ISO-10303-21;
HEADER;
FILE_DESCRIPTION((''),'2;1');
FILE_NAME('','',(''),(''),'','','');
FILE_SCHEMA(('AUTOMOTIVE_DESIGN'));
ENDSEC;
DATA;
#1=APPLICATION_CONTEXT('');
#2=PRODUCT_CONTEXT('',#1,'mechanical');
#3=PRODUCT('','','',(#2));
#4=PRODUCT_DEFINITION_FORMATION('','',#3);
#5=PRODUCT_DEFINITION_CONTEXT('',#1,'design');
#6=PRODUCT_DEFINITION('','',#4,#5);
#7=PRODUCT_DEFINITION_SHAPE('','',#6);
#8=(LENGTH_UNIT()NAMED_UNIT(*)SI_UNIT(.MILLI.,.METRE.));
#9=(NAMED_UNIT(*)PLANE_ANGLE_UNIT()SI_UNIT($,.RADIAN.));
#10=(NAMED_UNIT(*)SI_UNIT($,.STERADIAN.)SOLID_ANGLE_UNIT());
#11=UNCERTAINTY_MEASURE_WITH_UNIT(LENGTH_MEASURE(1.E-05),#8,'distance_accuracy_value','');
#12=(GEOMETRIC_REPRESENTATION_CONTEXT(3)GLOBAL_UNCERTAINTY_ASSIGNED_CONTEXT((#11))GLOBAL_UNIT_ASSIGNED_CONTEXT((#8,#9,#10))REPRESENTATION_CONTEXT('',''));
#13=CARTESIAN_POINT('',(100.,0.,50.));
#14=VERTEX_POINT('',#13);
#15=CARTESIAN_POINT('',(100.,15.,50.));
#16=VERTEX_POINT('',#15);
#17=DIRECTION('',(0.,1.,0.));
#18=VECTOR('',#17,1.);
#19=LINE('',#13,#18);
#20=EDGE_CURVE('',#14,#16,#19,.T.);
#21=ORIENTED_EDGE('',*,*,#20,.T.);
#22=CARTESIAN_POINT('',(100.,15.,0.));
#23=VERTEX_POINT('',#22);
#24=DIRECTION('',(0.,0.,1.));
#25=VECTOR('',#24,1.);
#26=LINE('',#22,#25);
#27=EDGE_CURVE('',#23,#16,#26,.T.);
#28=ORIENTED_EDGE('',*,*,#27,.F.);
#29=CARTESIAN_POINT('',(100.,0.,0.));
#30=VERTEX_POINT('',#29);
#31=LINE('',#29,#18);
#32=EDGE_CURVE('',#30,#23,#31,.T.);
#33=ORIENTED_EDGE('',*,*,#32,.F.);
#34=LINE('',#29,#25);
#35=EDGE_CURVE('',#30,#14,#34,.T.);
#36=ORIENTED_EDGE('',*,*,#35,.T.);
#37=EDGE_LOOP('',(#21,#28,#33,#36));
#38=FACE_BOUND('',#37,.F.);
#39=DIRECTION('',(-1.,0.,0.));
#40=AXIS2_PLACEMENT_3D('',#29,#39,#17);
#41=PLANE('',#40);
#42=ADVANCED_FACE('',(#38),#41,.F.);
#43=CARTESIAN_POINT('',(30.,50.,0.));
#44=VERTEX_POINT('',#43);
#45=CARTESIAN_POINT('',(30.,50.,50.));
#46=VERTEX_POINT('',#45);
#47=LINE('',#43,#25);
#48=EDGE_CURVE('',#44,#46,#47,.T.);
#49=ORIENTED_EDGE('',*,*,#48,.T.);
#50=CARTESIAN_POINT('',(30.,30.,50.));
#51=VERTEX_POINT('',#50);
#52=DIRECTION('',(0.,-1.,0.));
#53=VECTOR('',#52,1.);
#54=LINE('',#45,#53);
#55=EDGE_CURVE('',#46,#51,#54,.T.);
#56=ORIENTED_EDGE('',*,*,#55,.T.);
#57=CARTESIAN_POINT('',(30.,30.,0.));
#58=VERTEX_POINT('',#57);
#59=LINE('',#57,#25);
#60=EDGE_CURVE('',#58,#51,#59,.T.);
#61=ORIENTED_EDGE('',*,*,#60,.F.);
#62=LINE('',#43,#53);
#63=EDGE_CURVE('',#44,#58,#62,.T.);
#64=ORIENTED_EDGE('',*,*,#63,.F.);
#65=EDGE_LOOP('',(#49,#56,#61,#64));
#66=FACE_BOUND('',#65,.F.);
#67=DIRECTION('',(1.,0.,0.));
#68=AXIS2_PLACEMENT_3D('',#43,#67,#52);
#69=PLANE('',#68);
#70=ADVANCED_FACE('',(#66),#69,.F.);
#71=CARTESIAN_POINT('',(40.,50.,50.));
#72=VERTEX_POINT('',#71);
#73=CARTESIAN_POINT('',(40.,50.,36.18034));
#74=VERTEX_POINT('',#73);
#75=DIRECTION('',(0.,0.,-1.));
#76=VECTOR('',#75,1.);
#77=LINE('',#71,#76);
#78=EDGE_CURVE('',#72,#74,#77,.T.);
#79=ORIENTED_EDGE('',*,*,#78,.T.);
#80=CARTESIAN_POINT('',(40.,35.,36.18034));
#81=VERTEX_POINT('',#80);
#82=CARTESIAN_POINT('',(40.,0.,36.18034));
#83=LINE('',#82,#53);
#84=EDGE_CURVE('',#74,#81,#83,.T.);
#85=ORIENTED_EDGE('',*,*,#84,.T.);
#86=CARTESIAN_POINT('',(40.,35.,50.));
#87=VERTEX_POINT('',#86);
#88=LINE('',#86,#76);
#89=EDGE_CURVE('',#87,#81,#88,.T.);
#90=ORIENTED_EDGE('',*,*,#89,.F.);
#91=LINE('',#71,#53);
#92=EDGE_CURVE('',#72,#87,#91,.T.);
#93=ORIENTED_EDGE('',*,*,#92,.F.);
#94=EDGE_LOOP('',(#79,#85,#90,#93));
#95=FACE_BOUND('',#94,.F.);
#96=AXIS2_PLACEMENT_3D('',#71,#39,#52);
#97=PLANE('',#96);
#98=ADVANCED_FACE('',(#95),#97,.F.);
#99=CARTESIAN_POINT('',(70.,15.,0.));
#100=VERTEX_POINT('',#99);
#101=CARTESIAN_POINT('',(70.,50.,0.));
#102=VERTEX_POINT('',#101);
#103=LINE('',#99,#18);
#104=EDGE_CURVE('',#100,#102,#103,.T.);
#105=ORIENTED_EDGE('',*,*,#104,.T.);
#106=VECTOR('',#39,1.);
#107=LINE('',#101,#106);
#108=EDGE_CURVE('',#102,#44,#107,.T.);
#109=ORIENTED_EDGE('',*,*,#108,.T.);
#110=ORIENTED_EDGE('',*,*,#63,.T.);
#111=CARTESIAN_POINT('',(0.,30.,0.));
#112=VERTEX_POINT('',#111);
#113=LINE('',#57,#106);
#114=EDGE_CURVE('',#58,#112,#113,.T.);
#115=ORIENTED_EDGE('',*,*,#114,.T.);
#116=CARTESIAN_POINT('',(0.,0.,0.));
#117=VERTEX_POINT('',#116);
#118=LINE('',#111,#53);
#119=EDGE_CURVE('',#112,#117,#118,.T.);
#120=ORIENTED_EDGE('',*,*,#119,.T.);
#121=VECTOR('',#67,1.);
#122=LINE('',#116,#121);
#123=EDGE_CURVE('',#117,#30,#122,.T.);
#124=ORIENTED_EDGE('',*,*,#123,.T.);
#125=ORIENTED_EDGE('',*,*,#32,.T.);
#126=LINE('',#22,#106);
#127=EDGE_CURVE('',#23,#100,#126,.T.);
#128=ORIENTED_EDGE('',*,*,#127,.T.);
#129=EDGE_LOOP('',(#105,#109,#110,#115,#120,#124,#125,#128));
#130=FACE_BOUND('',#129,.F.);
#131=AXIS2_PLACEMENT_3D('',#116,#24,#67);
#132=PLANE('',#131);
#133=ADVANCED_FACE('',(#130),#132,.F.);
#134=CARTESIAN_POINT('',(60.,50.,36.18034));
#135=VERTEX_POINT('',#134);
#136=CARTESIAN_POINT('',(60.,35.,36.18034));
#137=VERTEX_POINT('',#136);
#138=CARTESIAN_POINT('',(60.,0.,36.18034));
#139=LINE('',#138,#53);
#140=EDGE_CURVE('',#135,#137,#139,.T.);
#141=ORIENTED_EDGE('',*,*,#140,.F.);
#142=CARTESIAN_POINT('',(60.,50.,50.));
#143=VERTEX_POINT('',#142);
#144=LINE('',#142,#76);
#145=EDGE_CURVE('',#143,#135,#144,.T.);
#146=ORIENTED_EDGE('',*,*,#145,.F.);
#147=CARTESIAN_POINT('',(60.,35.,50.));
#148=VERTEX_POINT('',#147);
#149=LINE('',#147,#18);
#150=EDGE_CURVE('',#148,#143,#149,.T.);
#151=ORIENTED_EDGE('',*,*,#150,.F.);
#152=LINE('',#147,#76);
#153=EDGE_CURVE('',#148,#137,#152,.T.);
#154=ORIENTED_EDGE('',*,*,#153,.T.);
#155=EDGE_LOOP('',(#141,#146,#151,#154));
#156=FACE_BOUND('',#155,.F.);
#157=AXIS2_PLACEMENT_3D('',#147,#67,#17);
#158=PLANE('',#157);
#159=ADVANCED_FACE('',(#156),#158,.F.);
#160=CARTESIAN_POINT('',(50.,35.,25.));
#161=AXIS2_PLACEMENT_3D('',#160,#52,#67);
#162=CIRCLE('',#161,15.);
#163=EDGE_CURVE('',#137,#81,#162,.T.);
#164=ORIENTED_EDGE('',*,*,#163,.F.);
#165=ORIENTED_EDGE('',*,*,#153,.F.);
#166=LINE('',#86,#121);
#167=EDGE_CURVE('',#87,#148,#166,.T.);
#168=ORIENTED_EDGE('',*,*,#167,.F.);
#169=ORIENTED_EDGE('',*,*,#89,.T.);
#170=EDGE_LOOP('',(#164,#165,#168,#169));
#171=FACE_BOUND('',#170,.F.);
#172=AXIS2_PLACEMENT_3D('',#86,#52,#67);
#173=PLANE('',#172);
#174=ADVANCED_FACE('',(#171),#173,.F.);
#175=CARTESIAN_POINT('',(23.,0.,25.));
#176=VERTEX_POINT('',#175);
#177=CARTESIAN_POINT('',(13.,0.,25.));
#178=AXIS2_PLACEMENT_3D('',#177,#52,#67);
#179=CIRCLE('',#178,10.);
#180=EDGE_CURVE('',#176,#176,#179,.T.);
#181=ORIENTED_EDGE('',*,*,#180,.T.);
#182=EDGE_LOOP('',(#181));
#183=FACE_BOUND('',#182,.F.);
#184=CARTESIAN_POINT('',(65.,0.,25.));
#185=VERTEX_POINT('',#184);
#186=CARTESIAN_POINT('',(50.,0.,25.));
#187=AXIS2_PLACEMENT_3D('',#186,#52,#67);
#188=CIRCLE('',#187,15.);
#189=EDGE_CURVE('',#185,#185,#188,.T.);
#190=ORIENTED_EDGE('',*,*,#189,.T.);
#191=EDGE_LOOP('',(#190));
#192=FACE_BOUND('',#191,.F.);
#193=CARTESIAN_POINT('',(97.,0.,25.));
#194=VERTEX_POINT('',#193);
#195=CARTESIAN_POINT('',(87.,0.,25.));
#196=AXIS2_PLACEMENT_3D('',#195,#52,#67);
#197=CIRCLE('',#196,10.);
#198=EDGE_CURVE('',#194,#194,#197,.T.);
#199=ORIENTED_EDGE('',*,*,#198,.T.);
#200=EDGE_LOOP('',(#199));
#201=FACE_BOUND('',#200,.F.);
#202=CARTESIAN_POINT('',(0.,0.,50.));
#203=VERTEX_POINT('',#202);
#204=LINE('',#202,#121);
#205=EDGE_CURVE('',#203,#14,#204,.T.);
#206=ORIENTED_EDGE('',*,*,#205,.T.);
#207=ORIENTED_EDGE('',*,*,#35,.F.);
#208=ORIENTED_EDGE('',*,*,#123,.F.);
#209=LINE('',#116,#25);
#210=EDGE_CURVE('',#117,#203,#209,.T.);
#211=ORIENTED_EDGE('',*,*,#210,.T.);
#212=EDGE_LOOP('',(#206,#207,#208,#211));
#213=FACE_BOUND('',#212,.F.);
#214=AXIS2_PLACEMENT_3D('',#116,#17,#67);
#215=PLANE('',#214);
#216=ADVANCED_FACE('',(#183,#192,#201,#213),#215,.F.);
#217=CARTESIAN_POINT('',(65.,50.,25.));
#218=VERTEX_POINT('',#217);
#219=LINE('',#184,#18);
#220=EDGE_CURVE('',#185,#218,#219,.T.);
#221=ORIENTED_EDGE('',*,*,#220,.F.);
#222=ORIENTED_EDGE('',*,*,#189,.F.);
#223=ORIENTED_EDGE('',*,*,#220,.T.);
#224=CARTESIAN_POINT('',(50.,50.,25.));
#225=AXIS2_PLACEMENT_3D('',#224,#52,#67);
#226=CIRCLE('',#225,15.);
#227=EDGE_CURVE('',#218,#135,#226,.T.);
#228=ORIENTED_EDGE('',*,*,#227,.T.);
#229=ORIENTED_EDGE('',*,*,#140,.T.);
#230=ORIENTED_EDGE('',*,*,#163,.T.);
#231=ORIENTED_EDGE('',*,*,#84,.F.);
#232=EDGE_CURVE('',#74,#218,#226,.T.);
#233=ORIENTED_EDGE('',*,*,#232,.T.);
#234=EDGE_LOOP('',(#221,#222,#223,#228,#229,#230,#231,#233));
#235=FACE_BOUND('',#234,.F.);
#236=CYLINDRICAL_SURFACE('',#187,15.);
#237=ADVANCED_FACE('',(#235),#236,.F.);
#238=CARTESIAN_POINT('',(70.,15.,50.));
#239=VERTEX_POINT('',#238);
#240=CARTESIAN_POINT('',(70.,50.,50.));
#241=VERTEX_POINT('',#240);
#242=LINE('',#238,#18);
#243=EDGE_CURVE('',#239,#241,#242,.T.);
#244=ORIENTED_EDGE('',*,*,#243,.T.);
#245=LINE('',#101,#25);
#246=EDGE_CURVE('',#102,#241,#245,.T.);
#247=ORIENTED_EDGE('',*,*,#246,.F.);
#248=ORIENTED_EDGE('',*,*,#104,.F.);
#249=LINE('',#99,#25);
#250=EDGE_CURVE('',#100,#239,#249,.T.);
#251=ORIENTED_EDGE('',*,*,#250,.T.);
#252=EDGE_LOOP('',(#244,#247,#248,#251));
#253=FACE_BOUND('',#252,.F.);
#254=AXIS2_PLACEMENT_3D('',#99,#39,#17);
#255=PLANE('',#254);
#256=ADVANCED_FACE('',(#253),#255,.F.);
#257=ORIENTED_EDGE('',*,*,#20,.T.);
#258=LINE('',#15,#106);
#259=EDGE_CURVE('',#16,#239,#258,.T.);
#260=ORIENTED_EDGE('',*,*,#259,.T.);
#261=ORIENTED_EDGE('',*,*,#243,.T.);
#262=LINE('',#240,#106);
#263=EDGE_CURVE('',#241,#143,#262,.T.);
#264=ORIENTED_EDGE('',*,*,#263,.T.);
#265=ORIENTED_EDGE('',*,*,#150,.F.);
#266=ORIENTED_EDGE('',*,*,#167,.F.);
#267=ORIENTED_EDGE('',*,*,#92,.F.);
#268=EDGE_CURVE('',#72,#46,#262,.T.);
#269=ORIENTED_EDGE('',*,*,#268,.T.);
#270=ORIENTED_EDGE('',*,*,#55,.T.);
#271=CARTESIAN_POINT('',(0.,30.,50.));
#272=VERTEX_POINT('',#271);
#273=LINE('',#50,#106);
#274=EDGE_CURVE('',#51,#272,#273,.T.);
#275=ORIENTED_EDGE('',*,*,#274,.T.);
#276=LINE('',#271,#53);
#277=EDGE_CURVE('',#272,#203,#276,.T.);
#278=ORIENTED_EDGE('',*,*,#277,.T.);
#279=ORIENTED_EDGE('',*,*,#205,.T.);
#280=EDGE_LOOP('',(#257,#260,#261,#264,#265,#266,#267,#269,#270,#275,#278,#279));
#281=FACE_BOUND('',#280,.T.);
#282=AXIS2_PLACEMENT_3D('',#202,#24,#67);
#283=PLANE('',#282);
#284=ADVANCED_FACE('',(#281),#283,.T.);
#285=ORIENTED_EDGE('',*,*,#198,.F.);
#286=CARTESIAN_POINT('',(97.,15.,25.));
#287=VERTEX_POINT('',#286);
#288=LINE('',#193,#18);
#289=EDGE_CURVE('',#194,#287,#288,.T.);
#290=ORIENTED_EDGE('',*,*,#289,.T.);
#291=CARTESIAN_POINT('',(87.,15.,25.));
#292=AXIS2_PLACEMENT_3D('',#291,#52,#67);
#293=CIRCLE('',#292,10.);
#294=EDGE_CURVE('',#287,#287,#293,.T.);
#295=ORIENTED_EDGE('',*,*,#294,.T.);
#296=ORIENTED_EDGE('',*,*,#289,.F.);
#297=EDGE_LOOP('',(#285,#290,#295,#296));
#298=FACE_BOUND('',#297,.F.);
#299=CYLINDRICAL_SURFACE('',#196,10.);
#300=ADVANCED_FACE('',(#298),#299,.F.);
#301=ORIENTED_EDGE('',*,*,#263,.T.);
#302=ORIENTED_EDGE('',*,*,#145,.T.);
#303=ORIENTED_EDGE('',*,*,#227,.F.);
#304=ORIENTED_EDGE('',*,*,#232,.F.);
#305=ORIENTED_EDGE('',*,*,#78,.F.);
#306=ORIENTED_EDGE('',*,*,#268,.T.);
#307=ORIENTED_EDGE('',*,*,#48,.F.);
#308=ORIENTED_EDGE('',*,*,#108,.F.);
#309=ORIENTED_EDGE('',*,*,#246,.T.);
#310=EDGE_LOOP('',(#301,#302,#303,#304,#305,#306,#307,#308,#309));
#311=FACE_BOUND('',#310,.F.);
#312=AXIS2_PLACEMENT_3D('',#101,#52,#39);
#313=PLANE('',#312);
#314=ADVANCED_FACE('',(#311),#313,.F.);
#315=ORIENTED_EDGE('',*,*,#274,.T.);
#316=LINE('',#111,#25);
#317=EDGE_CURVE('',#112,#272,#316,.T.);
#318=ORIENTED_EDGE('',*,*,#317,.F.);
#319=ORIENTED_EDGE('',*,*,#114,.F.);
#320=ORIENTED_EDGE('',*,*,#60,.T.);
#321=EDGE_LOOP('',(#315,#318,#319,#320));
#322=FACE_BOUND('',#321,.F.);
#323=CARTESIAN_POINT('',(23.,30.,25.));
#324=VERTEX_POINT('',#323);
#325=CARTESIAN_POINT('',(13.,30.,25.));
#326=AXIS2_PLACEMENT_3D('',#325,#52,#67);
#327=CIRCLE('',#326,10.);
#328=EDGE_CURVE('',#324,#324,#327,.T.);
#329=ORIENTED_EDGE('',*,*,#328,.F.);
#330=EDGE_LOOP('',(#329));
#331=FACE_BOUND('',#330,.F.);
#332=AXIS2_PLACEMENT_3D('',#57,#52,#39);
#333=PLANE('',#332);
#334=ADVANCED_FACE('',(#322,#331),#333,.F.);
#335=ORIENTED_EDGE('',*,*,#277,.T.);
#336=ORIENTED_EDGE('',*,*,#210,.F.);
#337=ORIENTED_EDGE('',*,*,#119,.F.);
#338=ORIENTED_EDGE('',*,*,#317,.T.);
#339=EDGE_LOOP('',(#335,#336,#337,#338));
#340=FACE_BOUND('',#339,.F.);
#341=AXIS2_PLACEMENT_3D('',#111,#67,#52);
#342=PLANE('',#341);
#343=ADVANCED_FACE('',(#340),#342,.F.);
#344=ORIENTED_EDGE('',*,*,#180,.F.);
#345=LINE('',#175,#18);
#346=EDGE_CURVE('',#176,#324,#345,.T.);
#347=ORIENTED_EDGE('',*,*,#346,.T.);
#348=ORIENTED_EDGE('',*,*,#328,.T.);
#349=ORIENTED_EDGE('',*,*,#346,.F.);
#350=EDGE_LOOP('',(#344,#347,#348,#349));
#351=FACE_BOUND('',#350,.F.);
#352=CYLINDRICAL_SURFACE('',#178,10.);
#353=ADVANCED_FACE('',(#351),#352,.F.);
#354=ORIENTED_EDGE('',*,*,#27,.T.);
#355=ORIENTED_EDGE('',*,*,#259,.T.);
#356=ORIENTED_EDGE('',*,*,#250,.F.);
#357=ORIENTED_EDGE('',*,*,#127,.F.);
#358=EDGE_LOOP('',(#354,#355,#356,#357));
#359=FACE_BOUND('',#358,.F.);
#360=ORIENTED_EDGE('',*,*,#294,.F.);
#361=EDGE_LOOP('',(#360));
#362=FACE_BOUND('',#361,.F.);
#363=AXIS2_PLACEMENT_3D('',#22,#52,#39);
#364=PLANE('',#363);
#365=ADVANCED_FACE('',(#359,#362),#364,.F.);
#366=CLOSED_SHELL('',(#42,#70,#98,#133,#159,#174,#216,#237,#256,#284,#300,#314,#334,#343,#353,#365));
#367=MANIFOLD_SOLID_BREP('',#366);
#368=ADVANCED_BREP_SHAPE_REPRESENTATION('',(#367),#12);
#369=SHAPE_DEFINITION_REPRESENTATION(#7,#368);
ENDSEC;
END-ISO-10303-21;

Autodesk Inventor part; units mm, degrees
ref_plane "YZ Plane" through (0, 0, 0) normal (1, 0, 0) x (0, 1, 0)
ref_plane "XZ Plane" through (0, 0, 0) normal (0, 1, 0) x (-1, 0, 0)
ref_plane "XY Plane" through (0, 0, 0) normal (0, 0, 1) x (1, 0, 0)
sketch "Sketch1" plane through (0, 0, 0) normal (0, 0, 1) x (1, 0, 0)
  line L0 (0, 0) -> (100, 0)
  line L1 (100, 0) -> (100, 15)
  line L2 (100, 15) -> (70, 15)
  line L3 (70, 15) -> (70, 50)
  line L4 (70, 50) -> (30, 50)
  line L5 (30, 50) -> (30, 30)
  line L6 (30, 30) -> (0, 30)
  line L7 (0, 30) -> (0, 0)
  dimension "d0" = 100
  dimension "d1" = 15
  dimension "d2" = 30
  dimension "d3" = 35
extrude "Extrusion1" add sketch "Sketch1" along normal blind 50
sketch "Sketch2" plane through (0, 0, 0) normal (0, -1, 0) x (1, 0, 0)
  circle A0 centre (13, 25) radius 10
  circle A1 centre (87, 25) radius 10
  circle A2 centre (50, 25) radius 15
  point P0 (0, 0)
extrude "Extrusion2" cut sketch "Sketch2" against normal blind 50
sketch "Sketch3" plane through (0, 0, 50) normal (0, 0, 1) x (1, 0, 0)
  line L0 (70, 50) -> (30, 50) projected
  line L1 (40, 50) -> (40, 35)
  line L2 (40, 35) -> (60, 35)
  line L3 (60, 35) -> (60, 50)
  line L4 (40, 50) -> (60, 50)
  line L5 (35, 50) -> (65, 50) projected
  point P0 (0, 0)
extrude "Extrusion3" cut sketch "Sketch3" against normal blind 15
properties part number "P3-10"
